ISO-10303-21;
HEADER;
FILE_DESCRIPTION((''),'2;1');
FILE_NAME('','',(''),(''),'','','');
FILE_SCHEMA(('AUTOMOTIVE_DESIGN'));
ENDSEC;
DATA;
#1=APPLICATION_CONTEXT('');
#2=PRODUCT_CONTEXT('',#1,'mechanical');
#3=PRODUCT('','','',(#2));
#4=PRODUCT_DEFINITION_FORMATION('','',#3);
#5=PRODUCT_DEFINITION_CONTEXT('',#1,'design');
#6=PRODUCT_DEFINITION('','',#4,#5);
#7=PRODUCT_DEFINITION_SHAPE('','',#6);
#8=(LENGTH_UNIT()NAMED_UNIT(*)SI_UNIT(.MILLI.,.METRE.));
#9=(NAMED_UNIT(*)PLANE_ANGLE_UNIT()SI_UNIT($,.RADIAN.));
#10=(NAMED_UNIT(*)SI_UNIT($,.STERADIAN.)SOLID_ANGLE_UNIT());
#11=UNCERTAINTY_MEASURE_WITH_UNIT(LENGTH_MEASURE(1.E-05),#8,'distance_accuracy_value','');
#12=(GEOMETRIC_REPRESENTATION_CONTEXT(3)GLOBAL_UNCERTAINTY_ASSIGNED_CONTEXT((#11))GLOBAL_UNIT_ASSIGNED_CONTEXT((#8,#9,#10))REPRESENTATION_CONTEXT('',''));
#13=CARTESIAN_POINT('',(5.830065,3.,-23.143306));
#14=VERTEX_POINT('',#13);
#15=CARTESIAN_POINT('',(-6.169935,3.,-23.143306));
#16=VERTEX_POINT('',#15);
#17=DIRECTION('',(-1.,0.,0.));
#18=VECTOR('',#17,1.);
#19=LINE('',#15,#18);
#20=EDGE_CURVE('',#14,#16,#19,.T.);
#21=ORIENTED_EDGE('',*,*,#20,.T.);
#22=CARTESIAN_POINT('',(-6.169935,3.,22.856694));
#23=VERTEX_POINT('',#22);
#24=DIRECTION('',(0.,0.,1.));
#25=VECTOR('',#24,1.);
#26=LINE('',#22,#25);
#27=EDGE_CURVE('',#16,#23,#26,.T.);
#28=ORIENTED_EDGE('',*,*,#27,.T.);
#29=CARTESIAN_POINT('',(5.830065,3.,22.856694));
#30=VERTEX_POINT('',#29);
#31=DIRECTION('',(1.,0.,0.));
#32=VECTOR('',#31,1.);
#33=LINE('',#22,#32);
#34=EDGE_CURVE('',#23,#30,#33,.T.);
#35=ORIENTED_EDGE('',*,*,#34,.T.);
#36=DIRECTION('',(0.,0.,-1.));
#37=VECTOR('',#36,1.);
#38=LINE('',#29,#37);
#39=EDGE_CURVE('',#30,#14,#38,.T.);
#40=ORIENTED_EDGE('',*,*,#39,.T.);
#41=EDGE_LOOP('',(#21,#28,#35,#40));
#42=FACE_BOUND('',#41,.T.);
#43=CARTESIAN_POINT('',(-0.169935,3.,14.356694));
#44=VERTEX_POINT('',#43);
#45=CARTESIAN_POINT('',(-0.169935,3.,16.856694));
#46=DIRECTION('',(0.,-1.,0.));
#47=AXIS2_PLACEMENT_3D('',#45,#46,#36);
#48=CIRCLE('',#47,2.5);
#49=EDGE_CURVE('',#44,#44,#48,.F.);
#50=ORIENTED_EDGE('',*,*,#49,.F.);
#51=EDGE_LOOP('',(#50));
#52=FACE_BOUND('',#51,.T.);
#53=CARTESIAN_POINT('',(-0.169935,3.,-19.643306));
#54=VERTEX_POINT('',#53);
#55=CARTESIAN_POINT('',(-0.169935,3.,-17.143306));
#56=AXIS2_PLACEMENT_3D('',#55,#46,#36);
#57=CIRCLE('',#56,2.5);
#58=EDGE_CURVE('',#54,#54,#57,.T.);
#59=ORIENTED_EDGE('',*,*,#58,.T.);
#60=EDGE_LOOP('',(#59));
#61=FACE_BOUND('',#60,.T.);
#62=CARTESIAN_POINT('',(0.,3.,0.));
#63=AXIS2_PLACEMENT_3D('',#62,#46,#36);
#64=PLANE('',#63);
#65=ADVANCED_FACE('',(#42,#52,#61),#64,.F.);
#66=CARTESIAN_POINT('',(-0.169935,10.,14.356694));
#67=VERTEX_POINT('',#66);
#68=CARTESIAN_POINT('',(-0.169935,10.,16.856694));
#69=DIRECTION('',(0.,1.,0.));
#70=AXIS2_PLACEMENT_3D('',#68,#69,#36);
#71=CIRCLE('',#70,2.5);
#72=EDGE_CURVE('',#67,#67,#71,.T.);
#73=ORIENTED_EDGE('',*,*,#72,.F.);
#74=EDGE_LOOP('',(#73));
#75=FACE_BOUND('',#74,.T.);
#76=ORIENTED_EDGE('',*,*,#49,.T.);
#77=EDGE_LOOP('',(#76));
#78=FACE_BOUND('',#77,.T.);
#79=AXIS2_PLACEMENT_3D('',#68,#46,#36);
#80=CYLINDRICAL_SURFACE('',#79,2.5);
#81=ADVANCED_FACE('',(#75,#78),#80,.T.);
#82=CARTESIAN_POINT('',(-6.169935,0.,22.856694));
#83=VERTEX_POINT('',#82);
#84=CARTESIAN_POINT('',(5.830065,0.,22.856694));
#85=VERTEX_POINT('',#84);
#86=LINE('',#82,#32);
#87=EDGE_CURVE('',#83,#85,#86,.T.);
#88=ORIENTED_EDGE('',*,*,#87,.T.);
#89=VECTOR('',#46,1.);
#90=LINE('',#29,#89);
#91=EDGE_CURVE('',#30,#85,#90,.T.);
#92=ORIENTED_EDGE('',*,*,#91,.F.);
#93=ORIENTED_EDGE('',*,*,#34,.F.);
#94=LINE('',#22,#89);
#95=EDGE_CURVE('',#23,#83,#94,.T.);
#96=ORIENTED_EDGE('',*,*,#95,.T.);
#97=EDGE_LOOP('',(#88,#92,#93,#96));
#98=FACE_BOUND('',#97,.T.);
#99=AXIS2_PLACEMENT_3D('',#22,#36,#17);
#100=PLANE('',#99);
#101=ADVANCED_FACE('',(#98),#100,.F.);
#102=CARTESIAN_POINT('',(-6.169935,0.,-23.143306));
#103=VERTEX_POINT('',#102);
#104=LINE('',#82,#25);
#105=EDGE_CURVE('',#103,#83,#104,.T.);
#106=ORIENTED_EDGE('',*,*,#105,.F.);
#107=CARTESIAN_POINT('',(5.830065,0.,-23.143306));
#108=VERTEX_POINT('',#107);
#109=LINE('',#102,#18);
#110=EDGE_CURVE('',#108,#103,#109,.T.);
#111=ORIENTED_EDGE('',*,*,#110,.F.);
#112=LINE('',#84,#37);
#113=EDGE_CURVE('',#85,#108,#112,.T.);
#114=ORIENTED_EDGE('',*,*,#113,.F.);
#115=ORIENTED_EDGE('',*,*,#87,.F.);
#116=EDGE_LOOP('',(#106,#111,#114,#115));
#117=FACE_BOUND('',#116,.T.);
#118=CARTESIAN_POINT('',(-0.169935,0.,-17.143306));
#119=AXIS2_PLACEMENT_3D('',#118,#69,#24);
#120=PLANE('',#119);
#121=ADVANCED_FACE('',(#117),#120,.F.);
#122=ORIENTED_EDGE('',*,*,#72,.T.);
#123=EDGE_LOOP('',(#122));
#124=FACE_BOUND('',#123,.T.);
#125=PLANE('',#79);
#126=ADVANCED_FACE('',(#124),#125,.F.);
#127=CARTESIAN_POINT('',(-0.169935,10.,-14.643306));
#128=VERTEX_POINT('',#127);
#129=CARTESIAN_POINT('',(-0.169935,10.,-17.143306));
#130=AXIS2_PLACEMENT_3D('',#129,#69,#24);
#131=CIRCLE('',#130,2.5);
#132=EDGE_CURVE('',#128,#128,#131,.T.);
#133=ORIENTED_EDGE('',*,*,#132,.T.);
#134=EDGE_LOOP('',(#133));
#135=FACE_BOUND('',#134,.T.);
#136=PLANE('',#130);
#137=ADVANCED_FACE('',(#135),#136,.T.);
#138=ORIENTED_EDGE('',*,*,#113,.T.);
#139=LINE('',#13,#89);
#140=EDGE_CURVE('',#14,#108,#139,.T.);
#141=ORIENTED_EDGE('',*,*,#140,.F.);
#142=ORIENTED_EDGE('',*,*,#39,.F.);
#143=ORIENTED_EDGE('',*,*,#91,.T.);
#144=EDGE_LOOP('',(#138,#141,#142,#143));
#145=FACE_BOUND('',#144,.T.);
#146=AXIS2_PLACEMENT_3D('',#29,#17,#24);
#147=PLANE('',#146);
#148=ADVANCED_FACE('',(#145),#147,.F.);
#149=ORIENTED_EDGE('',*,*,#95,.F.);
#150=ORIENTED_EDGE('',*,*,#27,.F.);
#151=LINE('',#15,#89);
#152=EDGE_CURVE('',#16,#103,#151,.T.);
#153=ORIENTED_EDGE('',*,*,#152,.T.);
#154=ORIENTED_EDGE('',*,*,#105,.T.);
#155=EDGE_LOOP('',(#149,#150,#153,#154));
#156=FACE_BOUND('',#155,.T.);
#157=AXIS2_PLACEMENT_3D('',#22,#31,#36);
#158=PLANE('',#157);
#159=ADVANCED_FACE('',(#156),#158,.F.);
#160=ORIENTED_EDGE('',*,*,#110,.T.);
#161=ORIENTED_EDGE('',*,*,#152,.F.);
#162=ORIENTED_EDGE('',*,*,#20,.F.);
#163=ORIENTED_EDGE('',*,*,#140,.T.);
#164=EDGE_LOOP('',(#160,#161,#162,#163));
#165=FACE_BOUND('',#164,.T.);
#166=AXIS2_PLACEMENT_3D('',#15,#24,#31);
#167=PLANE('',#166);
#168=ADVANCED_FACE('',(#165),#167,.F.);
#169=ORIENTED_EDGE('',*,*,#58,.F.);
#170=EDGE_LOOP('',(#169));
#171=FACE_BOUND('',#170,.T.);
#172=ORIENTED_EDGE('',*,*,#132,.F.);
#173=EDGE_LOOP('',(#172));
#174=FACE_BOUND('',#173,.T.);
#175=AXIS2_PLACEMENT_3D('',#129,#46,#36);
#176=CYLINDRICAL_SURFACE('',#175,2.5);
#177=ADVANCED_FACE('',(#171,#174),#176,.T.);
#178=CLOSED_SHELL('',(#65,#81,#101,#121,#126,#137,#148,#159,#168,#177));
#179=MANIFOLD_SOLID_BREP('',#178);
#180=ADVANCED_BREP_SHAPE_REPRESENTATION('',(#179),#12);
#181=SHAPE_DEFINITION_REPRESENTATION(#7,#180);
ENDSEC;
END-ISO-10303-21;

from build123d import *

# Parameters (mm, degrees)
SKETCH3_R             = 2.5
BOSS_EXTRUDE4_DEPTH   = 10
BOSS_EXTRUDE4_2_DEPTH = 10
SKETCH2_W             = 12
SKETCH2_H             = 46
BOSS_EXTRUDE5_DEPTH   = 3


with BuildPart() as part:
    # Sketch3 → Boss-Extrude4 (new body)
    with BuildSketch(Plane(origin=(0, 0, 0), x_dir=(1, 0, 0), z_dir=(0, 1, 0))):
        with Locations((-0.169934853, 17.143306367)):
            Circle(SKETCH3_R)
    extrude(amount=BOSS_EXTRUDE4_DEPTH)



with BuildPart() as body_2:
    # Sketch3 → Boss-Extrude4 2 (new body)
    with BuildSketch(Plane(origin=(0, 0, 0), x_dir=(1, 0, 0), z_dir=(0, 1, 0))):
        with Locations((-0.169934853, -16.856693633)):
            Circle(SKETCH3_R)
    extrude(amount=BOSS_EXTRUDE4_2_DEPTH)


with BuildPart() as part_1:
    add(part.part)

    add(body_2.part)  # Boss-Extrude5 merges body 2
    # Sketch2 → Boss-Extrude5 (add)
    with BuildSketch(Plane(origin=(0, 0, 0), x_dir=(1, 0, 0), z_dir=(0, 1, 0))):
        with Locations((-0.169934853, 0.143306367)):
            Rectangle(SKETCH2_W, SKETCH2_H)
    extrude(amount=BOSS_EXTRUDE5_DEPTH)


solid = part_1.part
